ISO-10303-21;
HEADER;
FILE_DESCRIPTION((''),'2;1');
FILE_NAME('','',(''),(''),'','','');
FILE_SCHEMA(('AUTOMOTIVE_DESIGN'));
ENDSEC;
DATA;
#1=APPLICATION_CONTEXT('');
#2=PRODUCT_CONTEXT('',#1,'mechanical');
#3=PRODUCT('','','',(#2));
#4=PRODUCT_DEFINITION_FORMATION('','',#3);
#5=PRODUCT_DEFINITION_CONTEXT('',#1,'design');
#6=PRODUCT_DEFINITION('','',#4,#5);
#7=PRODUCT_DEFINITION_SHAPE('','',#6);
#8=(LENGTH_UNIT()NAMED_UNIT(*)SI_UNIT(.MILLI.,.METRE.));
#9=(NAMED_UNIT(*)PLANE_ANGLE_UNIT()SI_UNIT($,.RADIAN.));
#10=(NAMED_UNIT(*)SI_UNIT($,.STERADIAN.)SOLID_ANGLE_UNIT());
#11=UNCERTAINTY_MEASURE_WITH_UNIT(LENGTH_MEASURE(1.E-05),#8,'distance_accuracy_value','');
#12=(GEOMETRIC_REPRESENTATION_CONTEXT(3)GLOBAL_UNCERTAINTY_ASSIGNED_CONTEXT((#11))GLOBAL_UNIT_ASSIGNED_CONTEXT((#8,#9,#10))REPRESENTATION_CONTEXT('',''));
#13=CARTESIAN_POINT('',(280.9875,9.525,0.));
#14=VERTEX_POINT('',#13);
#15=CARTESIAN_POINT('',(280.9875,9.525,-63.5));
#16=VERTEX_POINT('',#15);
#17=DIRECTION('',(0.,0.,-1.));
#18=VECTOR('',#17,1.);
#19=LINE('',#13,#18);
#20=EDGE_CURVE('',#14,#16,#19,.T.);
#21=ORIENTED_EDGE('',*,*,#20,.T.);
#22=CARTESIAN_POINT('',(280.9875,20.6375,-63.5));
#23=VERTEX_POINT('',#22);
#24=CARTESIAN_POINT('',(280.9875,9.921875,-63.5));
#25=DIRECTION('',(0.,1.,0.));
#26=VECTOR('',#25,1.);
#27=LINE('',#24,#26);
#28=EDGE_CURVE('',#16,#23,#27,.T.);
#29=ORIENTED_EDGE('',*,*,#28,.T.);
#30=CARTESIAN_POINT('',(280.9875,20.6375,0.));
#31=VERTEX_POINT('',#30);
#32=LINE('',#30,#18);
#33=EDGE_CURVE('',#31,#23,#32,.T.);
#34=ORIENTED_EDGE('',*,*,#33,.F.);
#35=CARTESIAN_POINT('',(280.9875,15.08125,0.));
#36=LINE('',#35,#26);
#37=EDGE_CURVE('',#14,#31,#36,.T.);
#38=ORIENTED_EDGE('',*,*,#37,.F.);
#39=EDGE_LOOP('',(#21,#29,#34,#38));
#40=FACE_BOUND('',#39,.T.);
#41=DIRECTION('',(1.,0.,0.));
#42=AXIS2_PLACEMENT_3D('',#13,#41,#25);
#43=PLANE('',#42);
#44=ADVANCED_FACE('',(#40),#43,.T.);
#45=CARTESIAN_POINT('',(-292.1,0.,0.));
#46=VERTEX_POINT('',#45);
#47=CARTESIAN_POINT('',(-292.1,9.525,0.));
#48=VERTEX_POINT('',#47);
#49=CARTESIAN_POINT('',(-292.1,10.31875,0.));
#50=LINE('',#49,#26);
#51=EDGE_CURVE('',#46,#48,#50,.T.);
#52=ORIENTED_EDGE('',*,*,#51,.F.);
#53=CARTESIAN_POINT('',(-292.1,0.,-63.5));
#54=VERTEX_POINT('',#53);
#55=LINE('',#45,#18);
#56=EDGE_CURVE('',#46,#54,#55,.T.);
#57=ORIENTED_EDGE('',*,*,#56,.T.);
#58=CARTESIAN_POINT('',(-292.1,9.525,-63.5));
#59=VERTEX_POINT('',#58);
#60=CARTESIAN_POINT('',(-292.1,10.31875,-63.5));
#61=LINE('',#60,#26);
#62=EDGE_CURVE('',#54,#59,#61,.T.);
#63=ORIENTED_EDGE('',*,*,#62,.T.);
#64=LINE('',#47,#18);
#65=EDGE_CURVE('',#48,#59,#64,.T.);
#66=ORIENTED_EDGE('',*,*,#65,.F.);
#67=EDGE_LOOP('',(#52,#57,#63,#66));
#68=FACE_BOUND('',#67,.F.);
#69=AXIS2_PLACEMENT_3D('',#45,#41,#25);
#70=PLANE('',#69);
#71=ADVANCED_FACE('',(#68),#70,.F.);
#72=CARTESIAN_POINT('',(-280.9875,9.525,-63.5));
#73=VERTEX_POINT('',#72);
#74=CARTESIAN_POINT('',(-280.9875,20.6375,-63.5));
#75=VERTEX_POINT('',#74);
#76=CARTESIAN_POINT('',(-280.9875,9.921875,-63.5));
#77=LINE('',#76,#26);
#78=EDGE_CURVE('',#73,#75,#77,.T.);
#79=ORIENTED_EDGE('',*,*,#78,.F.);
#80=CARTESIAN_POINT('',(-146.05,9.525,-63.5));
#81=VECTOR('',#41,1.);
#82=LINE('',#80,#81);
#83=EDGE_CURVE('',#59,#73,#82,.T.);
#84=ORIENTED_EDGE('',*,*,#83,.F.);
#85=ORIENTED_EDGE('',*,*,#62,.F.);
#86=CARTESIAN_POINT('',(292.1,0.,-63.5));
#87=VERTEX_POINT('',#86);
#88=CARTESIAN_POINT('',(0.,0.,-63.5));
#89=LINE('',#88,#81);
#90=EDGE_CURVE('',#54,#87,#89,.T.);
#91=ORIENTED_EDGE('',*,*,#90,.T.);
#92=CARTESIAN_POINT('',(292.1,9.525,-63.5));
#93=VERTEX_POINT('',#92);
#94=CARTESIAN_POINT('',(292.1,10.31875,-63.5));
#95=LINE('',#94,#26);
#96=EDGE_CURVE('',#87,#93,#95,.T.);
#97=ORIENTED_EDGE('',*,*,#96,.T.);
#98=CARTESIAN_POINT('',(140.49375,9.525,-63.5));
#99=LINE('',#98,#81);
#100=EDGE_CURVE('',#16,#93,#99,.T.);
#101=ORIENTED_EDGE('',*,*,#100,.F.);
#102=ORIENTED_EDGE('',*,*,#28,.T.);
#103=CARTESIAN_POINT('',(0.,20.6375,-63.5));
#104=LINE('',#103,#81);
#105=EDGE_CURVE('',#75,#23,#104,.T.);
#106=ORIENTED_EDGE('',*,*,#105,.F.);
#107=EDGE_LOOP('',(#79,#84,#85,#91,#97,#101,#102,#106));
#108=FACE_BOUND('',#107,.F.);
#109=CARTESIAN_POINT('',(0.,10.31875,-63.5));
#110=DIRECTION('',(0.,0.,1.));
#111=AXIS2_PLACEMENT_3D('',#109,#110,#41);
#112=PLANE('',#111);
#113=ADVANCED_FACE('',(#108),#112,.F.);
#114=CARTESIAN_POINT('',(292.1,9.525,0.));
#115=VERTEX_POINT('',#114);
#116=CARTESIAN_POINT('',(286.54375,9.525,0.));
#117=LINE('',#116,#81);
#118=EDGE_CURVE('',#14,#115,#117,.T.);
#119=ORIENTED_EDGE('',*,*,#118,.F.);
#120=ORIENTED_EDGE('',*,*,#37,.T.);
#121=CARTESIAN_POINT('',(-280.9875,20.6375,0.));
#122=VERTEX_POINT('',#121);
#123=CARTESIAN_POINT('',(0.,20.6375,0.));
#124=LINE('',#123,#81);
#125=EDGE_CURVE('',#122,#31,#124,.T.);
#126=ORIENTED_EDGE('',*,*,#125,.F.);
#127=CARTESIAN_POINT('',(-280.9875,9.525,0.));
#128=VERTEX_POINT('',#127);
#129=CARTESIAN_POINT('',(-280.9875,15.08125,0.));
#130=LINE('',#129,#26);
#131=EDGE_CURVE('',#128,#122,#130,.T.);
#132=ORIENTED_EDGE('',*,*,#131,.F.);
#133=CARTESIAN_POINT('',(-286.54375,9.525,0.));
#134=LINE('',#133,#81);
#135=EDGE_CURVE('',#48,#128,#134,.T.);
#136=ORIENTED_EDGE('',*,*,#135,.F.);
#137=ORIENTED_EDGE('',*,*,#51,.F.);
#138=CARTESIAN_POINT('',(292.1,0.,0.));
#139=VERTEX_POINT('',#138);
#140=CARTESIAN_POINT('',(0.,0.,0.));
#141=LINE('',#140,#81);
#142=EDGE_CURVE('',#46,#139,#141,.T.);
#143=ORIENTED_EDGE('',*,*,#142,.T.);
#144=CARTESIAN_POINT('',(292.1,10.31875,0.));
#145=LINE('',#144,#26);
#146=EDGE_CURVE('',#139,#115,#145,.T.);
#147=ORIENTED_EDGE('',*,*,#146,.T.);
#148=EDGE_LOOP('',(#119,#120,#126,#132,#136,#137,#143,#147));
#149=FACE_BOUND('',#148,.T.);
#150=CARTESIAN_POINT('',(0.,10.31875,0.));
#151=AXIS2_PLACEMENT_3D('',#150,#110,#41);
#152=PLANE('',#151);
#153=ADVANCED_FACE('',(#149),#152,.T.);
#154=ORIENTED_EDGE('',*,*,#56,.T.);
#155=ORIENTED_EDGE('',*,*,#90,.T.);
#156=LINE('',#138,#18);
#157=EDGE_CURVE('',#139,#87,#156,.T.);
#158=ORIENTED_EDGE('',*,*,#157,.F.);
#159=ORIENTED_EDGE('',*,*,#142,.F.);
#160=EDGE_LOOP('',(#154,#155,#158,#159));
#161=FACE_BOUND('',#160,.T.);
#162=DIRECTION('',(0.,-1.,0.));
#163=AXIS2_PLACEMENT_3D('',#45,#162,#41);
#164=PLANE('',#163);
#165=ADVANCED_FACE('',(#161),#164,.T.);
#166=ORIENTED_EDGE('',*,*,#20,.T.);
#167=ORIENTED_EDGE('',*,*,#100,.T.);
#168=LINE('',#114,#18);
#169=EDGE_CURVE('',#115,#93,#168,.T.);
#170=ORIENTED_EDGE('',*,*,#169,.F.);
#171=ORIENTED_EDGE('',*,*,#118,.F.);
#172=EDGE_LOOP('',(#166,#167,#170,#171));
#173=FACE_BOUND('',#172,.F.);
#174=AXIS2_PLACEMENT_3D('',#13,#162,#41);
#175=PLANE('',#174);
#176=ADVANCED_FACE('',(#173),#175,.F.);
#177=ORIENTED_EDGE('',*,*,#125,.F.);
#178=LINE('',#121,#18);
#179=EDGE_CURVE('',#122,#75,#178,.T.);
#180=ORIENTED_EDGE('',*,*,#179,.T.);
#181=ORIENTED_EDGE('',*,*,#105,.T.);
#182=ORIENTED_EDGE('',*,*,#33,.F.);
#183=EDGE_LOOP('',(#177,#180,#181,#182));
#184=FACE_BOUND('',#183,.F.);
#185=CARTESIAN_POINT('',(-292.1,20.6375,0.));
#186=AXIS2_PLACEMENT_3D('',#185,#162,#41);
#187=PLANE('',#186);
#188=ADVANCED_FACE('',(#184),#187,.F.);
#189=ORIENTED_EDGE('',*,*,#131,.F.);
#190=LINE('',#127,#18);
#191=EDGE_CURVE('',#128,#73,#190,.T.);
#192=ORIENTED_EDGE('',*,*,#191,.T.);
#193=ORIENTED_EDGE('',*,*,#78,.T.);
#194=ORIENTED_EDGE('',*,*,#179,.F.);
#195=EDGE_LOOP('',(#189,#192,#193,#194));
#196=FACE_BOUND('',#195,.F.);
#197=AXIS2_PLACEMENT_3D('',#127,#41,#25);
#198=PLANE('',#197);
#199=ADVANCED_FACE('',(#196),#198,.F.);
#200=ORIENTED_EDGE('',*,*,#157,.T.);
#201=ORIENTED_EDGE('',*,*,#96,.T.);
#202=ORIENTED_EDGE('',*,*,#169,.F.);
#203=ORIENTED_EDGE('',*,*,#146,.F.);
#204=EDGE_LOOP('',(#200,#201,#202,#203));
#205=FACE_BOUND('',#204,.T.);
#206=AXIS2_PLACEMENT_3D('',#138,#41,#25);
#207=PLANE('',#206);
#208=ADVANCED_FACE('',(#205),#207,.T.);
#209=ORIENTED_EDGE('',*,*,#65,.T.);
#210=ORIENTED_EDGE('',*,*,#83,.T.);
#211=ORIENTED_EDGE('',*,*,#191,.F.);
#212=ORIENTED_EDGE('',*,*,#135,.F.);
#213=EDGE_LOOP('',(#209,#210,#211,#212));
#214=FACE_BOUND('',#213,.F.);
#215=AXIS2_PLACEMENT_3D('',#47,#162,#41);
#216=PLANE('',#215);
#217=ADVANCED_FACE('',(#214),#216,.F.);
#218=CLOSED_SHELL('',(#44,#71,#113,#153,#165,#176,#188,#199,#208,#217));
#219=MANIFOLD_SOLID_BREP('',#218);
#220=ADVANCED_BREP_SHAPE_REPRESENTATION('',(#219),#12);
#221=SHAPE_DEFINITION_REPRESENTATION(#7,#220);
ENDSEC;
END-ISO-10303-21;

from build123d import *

# Parameters (mm, degrees)
F0_W     = 584.2
F0_H     = 20.6375
F1_DEPTH = 63.5
F2_W     = 11.1125
F2_H     = 11.1125
F3_DEPTH = 63.501


with BuildPart() as f1:
    # F0 (on Top) → F1 (new body)
    with BuildSketch(Plane.XY):
        with Locations((0, 10.31875)):
            Rectangle(F0_W, F0_H)
    extrude(amount=-F1_DEPTH)

    # F2 (on face) → F3 (cut, through all)
    with BuildSketch(Plane.XY):
        with Locations((286.54375, 15.08125)):
            Rectangle(F2_W, F2_H)
        with Locations((-286.54375, 15.08125)):
            Rectangle(F2_W, F2_H)
    extrude(amount=-F3_DEPTH, mode=Mode.SUBTRACT)


solid = f1.part
